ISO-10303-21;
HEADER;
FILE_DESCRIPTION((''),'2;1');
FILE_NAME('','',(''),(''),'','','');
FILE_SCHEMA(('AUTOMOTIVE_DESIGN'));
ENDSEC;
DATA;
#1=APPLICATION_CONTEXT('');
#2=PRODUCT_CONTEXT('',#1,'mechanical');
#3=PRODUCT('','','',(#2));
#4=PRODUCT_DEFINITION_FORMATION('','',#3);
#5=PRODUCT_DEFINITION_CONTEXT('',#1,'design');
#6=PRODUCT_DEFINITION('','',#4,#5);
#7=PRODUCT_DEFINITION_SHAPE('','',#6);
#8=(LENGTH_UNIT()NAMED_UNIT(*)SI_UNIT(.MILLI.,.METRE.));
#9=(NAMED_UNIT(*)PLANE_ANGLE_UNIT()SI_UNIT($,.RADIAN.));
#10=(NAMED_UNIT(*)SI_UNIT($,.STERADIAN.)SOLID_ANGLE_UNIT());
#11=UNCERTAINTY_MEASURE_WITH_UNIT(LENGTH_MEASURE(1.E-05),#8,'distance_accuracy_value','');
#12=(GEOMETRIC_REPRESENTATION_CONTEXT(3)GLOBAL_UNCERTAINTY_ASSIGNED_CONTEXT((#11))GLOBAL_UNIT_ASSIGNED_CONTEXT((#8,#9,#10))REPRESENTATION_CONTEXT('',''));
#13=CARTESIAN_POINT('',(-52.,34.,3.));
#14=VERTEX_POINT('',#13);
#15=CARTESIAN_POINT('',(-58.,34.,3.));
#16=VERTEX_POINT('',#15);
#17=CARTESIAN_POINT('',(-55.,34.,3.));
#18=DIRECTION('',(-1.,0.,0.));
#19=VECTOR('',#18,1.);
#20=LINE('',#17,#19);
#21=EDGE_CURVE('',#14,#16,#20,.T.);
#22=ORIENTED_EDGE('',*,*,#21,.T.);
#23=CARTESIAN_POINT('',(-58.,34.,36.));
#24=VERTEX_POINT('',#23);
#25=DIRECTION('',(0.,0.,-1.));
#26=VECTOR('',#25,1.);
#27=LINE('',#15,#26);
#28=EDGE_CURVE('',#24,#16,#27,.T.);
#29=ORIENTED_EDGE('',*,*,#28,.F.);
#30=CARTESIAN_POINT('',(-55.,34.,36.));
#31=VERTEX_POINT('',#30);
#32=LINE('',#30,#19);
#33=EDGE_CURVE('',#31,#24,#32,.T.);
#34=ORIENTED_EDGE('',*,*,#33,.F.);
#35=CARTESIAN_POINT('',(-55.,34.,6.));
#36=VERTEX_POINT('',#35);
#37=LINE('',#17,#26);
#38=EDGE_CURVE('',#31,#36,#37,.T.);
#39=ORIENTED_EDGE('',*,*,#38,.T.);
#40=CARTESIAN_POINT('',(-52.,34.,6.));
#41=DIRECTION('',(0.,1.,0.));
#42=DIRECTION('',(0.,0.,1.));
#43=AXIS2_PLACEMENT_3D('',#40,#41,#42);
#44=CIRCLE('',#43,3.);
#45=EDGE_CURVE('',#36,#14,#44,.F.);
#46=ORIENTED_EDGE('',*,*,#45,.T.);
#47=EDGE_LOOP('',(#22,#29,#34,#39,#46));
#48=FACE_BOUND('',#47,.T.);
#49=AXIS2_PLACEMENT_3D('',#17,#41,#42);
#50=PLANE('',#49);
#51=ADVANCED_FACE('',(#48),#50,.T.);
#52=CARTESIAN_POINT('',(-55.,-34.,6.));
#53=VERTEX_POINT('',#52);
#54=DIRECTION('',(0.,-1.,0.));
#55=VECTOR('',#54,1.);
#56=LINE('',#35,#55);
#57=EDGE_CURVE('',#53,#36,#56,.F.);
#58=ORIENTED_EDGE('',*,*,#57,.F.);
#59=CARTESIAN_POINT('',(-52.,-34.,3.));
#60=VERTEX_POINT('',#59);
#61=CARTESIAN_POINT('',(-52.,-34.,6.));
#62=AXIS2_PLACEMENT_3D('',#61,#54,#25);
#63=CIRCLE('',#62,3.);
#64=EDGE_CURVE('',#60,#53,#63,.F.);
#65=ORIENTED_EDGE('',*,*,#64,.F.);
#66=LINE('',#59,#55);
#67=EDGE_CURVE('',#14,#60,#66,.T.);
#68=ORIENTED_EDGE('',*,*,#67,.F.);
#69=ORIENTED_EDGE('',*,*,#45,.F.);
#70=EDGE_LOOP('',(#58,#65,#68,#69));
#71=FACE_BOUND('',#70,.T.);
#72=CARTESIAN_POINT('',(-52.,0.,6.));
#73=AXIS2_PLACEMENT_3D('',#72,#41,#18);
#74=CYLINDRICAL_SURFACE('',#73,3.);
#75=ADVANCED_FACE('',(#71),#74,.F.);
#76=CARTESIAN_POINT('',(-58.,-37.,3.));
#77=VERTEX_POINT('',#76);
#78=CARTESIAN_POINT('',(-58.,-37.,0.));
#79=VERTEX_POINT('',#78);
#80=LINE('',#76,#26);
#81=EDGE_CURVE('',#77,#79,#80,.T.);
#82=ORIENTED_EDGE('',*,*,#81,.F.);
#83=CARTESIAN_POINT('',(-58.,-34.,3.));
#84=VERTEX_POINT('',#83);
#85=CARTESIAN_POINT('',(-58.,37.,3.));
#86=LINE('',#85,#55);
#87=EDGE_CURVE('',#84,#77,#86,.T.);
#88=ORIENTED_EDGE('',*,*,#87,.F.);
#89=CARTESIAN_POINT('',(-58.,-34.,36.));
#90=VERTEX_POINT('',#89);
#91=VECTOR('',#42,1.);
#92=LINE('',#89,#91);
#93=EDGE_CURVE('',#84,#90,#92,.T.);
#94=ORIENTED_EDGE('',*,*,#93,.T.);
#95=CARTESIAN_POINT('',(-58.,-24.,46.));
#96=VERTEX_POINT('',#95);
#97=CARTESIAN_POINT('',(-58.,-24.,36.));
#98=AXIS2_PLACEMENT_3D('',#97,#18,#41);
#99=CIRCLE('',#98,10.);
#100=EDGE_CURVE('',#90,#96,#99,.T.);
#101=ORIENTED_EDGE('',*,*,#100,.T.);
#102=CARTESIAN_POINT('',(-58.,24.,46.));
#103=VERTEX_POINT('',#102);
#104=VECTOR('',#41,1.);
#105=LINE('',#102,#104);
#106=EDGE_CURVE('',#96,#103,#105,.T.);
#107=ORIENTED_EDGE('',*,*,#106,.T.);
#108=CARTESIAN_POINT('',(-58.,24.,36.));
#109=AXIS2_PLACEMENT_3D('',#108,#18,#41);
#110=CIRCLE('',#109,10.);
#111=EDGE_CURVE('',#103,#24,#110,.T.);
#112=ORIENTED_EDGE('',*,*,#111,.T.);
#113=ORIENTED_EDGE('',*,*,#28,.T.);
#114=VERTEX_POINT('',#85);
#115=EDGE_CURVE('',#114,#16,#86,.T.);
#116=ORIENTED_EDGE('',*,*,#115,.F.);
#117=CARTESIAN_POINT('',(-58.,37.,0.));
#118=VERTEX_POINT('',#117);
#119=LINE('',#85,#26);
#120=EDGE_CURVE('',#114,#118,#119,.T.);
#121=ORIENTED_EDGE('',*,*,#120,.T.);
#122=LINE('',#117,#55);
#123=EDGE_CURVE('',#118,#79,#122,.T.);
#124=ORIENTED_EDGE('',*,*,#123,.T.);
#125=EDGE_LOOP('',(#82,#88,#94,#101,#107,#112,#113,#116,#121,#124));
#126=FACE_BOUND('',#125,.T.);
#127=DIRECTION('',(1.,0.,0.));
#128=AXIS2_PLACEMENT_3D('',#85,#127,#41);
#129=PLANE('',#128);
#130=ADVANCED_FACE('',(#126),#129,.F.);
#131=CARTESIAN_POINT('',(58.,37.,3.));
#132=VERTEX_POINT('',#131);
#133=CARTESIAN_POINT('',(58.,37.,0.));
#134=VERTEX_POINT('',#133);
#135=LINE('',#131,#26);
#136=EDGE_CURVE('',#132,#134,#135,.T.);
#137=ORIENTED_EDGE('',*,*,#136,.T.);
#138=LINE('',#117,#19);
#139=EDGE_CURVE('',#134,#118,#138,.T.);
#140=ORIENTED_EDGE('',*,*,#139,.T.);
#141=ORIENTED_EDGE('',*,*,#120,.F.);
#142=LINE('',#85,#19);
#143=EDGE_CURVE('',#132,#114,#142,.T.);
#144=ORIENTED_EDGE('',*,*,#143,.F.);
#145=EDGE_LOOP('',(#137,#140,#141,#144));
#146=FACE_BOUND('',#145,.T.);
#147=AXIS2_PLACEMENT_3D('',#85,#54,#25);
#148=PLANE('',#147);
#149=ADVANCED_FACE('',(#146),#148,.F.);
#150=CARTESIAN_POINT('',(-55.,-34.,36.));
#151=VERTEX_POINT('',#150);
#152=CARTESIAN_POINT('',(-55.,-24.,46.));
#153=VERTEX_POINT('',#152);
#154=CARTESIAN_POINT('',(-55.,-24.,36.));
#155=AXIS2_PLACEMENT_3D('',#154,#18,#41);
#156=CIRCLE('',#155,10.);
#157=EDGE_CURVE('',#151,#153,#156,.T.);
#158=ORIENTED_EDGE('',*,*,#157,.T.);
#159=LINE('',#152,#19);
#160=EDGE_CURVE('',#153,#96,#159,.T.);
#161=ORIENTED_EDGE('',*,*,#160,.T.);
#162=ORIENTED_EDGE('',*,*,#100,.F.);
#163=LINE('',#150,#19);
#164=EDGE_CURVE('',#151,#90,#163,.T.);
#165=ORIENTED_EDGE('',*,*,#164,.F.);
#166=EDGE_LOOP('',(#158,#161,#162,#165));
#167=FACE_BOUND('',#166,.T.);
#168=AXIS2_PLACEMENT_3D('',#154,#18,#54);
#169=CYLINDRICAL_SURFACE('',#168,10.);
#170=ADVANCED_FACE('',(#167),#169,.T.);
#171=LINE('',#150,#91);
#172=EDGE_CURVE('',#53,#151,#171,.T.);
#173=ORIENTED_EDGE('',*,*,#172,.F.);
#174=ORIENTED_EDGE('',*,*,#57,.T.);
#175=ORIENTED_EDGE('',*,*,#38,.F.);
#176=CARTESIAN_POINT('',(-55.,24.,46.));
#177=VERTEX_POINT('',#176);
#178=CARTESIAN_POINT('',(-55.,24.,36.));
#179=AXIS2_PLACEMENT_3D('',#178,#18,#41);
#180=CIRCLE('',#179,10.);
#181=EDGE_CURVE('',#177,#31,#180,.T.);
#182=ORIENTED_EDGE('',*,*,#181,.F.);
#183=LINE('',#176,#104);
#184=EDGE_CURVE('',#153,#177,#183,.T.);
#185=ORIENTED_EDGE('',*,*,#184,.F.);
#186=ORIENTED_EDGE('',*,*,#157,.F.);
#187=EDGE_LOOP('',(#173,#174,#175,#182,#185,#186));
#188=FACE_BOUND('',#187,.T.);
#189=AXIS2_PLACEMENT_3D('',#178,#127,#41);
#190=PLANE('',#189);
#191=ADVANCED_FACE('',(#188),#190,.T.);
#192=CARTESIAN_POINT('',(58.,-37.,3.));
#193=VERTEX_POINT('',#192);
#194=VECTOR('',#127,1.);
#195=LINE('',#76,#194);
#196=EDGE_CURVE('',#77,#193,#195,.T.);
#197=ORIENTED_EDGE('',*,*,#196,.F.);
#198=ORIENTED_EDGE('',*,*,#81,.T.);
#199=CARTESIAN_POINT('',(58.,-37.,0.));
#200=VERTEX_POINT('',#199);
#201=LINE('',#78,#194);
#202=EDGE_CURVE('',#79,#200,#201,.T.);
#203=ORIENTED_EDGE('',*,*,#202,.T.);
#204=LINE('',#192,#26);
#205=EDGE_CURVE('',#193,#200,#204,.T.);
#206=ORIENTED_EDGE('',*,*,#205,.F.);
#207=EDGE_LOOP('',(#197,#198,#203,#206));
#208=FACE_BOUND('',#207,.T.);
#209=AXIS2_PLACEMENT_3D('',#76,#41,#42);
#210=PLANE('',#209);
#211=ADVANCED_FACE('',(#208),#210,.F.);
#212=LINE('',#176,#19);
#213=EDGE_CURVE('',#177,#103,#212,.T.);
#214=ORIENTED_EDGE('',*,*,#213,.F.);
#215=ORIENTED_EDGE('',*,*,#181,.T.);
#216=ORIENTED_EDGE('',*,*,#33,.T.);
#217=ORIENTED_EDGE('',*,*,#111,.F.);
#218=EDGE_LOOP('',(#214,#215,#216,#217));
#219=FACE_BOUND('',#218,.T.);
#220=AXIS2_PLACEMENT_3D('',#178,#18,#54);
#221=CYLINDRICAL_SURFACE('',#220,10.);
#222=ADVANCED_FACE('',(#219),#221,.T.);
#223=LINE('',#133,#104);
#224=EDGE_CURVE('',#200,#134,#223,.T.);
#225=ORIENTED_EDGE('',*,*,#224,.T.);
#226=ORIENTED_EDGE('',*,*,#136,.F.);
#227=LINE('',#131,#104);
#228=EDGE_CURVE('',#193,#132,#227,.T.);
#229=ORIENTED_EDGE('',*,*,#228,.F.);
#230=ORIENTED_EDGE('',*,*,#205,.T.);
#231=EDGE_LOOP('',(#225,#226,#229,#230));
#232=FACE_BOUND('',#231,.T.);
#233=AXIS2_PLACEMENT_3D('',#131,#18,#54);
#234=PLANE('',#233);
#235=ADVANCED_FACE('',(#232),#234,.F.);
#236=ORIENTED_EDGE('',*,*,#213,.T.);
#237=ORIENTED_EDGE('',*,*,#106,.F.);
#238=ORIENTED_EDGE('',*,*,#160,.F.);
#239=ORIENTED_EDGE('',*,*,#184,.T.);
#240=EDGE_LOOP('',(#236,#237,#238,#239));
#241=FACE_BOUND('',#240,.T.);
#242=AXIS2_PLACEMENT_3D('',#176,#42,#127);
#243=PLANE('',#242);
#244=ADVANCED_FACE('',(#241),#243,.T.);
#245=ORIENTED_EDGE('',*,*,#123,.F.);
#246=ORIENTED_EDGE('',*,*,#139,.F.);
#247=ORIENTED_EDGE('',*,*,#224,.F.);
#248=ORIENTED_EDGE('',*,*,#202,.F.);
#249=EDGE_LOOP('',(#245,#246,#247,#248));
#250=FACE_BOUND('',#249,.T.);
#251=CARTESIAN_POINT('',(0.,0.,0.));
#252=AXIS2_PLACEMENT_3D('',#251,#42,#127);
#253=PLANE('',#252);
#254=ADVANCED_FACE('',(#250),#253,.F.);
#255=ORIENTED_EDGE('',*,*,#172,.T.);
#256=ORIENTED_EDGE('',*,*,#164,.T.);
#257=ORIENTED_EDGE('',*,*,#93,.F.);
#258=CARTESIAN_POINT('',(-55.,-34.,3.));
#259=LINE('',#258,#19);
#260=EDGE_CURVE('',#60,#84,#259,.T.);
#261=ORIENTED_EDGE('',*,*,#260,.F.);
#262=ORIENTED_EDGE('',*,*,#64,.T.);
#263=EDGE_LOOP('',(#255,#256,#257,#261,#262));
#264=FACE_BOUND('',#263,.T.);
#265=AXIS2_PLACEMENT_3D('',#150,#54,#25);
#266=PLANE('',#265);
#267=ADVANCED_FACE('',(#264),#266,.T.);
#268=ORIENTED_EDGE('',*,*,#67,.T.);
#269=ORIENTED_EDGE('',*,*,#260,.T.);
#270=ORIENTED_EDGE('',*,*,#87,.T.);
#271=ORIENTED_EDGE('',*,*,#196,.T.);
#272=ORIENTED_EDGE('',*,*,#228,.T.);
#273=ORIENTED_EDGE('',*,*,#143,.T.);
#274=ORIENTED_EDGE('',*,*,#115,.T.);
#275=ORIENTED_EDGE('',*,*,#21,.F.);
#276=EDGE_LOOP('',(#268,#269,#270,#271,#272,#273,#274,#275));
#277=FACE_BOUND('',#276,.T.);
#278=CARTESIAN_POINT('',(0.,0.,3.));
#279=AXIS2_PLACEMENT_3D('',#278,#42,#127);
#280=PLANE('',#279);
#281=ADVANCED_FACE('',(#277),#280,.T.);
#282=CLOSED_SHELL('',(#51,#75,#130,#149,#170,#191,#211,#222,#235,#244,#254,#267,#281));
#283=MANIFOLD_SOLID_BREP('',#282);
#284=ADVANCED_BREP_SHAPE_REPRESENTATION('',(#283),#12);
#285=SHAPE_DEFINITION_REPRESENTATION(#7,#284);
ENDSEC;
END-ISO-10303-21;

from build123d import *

# Parameters (mm, degrees)
ESBO_O1_W                = 116
ESBO_O1_H                = 74
RESSALTO_EXTRUS_O1_DEPTH = 3
RESSALTO_EXTRUS_O2_DEPTH = 3
FILETE1_R                = 3


with BuildPart() as part:
    # Esboço1 → Ressalto-extrusão1 (new body)
    with BuildSketch(Plane.XY):
        Rectangle(ESBO_O1_W, ESBO_O1_H)
    extrude(amount=RESSALTO_EXTRUS_O1_DEPTH)

    # Esboço2 → Ressalto-extrusão2 (add)
    with BuildSketch(Plane.ZY.offset(58)):
        with BuildLine():
            Line((3, 34), (36, 34))
            ThreePointArc((36, 34), (43.071067812, 31.071067812), (46, 24))
            Line((46, 24), (46, -24))
            ThreePointArc((46, -24), (43.071067812, -31.071067812), (36, -34))
            Line((36, -34), (3, -34))
            Line((3, -34), (3, 34))
        make_face()
    extrude(amount=-RESSALTO_EXTRUS_O2_DEPTH)

    # Filete1
    filete1_edges = [part.edges().sort_by_distance(p)[0] for p in [
        (-55, 0, 3),
    ]]
    fillet(filete1_edges, radius=FILETE1_R)


solid = part.part
